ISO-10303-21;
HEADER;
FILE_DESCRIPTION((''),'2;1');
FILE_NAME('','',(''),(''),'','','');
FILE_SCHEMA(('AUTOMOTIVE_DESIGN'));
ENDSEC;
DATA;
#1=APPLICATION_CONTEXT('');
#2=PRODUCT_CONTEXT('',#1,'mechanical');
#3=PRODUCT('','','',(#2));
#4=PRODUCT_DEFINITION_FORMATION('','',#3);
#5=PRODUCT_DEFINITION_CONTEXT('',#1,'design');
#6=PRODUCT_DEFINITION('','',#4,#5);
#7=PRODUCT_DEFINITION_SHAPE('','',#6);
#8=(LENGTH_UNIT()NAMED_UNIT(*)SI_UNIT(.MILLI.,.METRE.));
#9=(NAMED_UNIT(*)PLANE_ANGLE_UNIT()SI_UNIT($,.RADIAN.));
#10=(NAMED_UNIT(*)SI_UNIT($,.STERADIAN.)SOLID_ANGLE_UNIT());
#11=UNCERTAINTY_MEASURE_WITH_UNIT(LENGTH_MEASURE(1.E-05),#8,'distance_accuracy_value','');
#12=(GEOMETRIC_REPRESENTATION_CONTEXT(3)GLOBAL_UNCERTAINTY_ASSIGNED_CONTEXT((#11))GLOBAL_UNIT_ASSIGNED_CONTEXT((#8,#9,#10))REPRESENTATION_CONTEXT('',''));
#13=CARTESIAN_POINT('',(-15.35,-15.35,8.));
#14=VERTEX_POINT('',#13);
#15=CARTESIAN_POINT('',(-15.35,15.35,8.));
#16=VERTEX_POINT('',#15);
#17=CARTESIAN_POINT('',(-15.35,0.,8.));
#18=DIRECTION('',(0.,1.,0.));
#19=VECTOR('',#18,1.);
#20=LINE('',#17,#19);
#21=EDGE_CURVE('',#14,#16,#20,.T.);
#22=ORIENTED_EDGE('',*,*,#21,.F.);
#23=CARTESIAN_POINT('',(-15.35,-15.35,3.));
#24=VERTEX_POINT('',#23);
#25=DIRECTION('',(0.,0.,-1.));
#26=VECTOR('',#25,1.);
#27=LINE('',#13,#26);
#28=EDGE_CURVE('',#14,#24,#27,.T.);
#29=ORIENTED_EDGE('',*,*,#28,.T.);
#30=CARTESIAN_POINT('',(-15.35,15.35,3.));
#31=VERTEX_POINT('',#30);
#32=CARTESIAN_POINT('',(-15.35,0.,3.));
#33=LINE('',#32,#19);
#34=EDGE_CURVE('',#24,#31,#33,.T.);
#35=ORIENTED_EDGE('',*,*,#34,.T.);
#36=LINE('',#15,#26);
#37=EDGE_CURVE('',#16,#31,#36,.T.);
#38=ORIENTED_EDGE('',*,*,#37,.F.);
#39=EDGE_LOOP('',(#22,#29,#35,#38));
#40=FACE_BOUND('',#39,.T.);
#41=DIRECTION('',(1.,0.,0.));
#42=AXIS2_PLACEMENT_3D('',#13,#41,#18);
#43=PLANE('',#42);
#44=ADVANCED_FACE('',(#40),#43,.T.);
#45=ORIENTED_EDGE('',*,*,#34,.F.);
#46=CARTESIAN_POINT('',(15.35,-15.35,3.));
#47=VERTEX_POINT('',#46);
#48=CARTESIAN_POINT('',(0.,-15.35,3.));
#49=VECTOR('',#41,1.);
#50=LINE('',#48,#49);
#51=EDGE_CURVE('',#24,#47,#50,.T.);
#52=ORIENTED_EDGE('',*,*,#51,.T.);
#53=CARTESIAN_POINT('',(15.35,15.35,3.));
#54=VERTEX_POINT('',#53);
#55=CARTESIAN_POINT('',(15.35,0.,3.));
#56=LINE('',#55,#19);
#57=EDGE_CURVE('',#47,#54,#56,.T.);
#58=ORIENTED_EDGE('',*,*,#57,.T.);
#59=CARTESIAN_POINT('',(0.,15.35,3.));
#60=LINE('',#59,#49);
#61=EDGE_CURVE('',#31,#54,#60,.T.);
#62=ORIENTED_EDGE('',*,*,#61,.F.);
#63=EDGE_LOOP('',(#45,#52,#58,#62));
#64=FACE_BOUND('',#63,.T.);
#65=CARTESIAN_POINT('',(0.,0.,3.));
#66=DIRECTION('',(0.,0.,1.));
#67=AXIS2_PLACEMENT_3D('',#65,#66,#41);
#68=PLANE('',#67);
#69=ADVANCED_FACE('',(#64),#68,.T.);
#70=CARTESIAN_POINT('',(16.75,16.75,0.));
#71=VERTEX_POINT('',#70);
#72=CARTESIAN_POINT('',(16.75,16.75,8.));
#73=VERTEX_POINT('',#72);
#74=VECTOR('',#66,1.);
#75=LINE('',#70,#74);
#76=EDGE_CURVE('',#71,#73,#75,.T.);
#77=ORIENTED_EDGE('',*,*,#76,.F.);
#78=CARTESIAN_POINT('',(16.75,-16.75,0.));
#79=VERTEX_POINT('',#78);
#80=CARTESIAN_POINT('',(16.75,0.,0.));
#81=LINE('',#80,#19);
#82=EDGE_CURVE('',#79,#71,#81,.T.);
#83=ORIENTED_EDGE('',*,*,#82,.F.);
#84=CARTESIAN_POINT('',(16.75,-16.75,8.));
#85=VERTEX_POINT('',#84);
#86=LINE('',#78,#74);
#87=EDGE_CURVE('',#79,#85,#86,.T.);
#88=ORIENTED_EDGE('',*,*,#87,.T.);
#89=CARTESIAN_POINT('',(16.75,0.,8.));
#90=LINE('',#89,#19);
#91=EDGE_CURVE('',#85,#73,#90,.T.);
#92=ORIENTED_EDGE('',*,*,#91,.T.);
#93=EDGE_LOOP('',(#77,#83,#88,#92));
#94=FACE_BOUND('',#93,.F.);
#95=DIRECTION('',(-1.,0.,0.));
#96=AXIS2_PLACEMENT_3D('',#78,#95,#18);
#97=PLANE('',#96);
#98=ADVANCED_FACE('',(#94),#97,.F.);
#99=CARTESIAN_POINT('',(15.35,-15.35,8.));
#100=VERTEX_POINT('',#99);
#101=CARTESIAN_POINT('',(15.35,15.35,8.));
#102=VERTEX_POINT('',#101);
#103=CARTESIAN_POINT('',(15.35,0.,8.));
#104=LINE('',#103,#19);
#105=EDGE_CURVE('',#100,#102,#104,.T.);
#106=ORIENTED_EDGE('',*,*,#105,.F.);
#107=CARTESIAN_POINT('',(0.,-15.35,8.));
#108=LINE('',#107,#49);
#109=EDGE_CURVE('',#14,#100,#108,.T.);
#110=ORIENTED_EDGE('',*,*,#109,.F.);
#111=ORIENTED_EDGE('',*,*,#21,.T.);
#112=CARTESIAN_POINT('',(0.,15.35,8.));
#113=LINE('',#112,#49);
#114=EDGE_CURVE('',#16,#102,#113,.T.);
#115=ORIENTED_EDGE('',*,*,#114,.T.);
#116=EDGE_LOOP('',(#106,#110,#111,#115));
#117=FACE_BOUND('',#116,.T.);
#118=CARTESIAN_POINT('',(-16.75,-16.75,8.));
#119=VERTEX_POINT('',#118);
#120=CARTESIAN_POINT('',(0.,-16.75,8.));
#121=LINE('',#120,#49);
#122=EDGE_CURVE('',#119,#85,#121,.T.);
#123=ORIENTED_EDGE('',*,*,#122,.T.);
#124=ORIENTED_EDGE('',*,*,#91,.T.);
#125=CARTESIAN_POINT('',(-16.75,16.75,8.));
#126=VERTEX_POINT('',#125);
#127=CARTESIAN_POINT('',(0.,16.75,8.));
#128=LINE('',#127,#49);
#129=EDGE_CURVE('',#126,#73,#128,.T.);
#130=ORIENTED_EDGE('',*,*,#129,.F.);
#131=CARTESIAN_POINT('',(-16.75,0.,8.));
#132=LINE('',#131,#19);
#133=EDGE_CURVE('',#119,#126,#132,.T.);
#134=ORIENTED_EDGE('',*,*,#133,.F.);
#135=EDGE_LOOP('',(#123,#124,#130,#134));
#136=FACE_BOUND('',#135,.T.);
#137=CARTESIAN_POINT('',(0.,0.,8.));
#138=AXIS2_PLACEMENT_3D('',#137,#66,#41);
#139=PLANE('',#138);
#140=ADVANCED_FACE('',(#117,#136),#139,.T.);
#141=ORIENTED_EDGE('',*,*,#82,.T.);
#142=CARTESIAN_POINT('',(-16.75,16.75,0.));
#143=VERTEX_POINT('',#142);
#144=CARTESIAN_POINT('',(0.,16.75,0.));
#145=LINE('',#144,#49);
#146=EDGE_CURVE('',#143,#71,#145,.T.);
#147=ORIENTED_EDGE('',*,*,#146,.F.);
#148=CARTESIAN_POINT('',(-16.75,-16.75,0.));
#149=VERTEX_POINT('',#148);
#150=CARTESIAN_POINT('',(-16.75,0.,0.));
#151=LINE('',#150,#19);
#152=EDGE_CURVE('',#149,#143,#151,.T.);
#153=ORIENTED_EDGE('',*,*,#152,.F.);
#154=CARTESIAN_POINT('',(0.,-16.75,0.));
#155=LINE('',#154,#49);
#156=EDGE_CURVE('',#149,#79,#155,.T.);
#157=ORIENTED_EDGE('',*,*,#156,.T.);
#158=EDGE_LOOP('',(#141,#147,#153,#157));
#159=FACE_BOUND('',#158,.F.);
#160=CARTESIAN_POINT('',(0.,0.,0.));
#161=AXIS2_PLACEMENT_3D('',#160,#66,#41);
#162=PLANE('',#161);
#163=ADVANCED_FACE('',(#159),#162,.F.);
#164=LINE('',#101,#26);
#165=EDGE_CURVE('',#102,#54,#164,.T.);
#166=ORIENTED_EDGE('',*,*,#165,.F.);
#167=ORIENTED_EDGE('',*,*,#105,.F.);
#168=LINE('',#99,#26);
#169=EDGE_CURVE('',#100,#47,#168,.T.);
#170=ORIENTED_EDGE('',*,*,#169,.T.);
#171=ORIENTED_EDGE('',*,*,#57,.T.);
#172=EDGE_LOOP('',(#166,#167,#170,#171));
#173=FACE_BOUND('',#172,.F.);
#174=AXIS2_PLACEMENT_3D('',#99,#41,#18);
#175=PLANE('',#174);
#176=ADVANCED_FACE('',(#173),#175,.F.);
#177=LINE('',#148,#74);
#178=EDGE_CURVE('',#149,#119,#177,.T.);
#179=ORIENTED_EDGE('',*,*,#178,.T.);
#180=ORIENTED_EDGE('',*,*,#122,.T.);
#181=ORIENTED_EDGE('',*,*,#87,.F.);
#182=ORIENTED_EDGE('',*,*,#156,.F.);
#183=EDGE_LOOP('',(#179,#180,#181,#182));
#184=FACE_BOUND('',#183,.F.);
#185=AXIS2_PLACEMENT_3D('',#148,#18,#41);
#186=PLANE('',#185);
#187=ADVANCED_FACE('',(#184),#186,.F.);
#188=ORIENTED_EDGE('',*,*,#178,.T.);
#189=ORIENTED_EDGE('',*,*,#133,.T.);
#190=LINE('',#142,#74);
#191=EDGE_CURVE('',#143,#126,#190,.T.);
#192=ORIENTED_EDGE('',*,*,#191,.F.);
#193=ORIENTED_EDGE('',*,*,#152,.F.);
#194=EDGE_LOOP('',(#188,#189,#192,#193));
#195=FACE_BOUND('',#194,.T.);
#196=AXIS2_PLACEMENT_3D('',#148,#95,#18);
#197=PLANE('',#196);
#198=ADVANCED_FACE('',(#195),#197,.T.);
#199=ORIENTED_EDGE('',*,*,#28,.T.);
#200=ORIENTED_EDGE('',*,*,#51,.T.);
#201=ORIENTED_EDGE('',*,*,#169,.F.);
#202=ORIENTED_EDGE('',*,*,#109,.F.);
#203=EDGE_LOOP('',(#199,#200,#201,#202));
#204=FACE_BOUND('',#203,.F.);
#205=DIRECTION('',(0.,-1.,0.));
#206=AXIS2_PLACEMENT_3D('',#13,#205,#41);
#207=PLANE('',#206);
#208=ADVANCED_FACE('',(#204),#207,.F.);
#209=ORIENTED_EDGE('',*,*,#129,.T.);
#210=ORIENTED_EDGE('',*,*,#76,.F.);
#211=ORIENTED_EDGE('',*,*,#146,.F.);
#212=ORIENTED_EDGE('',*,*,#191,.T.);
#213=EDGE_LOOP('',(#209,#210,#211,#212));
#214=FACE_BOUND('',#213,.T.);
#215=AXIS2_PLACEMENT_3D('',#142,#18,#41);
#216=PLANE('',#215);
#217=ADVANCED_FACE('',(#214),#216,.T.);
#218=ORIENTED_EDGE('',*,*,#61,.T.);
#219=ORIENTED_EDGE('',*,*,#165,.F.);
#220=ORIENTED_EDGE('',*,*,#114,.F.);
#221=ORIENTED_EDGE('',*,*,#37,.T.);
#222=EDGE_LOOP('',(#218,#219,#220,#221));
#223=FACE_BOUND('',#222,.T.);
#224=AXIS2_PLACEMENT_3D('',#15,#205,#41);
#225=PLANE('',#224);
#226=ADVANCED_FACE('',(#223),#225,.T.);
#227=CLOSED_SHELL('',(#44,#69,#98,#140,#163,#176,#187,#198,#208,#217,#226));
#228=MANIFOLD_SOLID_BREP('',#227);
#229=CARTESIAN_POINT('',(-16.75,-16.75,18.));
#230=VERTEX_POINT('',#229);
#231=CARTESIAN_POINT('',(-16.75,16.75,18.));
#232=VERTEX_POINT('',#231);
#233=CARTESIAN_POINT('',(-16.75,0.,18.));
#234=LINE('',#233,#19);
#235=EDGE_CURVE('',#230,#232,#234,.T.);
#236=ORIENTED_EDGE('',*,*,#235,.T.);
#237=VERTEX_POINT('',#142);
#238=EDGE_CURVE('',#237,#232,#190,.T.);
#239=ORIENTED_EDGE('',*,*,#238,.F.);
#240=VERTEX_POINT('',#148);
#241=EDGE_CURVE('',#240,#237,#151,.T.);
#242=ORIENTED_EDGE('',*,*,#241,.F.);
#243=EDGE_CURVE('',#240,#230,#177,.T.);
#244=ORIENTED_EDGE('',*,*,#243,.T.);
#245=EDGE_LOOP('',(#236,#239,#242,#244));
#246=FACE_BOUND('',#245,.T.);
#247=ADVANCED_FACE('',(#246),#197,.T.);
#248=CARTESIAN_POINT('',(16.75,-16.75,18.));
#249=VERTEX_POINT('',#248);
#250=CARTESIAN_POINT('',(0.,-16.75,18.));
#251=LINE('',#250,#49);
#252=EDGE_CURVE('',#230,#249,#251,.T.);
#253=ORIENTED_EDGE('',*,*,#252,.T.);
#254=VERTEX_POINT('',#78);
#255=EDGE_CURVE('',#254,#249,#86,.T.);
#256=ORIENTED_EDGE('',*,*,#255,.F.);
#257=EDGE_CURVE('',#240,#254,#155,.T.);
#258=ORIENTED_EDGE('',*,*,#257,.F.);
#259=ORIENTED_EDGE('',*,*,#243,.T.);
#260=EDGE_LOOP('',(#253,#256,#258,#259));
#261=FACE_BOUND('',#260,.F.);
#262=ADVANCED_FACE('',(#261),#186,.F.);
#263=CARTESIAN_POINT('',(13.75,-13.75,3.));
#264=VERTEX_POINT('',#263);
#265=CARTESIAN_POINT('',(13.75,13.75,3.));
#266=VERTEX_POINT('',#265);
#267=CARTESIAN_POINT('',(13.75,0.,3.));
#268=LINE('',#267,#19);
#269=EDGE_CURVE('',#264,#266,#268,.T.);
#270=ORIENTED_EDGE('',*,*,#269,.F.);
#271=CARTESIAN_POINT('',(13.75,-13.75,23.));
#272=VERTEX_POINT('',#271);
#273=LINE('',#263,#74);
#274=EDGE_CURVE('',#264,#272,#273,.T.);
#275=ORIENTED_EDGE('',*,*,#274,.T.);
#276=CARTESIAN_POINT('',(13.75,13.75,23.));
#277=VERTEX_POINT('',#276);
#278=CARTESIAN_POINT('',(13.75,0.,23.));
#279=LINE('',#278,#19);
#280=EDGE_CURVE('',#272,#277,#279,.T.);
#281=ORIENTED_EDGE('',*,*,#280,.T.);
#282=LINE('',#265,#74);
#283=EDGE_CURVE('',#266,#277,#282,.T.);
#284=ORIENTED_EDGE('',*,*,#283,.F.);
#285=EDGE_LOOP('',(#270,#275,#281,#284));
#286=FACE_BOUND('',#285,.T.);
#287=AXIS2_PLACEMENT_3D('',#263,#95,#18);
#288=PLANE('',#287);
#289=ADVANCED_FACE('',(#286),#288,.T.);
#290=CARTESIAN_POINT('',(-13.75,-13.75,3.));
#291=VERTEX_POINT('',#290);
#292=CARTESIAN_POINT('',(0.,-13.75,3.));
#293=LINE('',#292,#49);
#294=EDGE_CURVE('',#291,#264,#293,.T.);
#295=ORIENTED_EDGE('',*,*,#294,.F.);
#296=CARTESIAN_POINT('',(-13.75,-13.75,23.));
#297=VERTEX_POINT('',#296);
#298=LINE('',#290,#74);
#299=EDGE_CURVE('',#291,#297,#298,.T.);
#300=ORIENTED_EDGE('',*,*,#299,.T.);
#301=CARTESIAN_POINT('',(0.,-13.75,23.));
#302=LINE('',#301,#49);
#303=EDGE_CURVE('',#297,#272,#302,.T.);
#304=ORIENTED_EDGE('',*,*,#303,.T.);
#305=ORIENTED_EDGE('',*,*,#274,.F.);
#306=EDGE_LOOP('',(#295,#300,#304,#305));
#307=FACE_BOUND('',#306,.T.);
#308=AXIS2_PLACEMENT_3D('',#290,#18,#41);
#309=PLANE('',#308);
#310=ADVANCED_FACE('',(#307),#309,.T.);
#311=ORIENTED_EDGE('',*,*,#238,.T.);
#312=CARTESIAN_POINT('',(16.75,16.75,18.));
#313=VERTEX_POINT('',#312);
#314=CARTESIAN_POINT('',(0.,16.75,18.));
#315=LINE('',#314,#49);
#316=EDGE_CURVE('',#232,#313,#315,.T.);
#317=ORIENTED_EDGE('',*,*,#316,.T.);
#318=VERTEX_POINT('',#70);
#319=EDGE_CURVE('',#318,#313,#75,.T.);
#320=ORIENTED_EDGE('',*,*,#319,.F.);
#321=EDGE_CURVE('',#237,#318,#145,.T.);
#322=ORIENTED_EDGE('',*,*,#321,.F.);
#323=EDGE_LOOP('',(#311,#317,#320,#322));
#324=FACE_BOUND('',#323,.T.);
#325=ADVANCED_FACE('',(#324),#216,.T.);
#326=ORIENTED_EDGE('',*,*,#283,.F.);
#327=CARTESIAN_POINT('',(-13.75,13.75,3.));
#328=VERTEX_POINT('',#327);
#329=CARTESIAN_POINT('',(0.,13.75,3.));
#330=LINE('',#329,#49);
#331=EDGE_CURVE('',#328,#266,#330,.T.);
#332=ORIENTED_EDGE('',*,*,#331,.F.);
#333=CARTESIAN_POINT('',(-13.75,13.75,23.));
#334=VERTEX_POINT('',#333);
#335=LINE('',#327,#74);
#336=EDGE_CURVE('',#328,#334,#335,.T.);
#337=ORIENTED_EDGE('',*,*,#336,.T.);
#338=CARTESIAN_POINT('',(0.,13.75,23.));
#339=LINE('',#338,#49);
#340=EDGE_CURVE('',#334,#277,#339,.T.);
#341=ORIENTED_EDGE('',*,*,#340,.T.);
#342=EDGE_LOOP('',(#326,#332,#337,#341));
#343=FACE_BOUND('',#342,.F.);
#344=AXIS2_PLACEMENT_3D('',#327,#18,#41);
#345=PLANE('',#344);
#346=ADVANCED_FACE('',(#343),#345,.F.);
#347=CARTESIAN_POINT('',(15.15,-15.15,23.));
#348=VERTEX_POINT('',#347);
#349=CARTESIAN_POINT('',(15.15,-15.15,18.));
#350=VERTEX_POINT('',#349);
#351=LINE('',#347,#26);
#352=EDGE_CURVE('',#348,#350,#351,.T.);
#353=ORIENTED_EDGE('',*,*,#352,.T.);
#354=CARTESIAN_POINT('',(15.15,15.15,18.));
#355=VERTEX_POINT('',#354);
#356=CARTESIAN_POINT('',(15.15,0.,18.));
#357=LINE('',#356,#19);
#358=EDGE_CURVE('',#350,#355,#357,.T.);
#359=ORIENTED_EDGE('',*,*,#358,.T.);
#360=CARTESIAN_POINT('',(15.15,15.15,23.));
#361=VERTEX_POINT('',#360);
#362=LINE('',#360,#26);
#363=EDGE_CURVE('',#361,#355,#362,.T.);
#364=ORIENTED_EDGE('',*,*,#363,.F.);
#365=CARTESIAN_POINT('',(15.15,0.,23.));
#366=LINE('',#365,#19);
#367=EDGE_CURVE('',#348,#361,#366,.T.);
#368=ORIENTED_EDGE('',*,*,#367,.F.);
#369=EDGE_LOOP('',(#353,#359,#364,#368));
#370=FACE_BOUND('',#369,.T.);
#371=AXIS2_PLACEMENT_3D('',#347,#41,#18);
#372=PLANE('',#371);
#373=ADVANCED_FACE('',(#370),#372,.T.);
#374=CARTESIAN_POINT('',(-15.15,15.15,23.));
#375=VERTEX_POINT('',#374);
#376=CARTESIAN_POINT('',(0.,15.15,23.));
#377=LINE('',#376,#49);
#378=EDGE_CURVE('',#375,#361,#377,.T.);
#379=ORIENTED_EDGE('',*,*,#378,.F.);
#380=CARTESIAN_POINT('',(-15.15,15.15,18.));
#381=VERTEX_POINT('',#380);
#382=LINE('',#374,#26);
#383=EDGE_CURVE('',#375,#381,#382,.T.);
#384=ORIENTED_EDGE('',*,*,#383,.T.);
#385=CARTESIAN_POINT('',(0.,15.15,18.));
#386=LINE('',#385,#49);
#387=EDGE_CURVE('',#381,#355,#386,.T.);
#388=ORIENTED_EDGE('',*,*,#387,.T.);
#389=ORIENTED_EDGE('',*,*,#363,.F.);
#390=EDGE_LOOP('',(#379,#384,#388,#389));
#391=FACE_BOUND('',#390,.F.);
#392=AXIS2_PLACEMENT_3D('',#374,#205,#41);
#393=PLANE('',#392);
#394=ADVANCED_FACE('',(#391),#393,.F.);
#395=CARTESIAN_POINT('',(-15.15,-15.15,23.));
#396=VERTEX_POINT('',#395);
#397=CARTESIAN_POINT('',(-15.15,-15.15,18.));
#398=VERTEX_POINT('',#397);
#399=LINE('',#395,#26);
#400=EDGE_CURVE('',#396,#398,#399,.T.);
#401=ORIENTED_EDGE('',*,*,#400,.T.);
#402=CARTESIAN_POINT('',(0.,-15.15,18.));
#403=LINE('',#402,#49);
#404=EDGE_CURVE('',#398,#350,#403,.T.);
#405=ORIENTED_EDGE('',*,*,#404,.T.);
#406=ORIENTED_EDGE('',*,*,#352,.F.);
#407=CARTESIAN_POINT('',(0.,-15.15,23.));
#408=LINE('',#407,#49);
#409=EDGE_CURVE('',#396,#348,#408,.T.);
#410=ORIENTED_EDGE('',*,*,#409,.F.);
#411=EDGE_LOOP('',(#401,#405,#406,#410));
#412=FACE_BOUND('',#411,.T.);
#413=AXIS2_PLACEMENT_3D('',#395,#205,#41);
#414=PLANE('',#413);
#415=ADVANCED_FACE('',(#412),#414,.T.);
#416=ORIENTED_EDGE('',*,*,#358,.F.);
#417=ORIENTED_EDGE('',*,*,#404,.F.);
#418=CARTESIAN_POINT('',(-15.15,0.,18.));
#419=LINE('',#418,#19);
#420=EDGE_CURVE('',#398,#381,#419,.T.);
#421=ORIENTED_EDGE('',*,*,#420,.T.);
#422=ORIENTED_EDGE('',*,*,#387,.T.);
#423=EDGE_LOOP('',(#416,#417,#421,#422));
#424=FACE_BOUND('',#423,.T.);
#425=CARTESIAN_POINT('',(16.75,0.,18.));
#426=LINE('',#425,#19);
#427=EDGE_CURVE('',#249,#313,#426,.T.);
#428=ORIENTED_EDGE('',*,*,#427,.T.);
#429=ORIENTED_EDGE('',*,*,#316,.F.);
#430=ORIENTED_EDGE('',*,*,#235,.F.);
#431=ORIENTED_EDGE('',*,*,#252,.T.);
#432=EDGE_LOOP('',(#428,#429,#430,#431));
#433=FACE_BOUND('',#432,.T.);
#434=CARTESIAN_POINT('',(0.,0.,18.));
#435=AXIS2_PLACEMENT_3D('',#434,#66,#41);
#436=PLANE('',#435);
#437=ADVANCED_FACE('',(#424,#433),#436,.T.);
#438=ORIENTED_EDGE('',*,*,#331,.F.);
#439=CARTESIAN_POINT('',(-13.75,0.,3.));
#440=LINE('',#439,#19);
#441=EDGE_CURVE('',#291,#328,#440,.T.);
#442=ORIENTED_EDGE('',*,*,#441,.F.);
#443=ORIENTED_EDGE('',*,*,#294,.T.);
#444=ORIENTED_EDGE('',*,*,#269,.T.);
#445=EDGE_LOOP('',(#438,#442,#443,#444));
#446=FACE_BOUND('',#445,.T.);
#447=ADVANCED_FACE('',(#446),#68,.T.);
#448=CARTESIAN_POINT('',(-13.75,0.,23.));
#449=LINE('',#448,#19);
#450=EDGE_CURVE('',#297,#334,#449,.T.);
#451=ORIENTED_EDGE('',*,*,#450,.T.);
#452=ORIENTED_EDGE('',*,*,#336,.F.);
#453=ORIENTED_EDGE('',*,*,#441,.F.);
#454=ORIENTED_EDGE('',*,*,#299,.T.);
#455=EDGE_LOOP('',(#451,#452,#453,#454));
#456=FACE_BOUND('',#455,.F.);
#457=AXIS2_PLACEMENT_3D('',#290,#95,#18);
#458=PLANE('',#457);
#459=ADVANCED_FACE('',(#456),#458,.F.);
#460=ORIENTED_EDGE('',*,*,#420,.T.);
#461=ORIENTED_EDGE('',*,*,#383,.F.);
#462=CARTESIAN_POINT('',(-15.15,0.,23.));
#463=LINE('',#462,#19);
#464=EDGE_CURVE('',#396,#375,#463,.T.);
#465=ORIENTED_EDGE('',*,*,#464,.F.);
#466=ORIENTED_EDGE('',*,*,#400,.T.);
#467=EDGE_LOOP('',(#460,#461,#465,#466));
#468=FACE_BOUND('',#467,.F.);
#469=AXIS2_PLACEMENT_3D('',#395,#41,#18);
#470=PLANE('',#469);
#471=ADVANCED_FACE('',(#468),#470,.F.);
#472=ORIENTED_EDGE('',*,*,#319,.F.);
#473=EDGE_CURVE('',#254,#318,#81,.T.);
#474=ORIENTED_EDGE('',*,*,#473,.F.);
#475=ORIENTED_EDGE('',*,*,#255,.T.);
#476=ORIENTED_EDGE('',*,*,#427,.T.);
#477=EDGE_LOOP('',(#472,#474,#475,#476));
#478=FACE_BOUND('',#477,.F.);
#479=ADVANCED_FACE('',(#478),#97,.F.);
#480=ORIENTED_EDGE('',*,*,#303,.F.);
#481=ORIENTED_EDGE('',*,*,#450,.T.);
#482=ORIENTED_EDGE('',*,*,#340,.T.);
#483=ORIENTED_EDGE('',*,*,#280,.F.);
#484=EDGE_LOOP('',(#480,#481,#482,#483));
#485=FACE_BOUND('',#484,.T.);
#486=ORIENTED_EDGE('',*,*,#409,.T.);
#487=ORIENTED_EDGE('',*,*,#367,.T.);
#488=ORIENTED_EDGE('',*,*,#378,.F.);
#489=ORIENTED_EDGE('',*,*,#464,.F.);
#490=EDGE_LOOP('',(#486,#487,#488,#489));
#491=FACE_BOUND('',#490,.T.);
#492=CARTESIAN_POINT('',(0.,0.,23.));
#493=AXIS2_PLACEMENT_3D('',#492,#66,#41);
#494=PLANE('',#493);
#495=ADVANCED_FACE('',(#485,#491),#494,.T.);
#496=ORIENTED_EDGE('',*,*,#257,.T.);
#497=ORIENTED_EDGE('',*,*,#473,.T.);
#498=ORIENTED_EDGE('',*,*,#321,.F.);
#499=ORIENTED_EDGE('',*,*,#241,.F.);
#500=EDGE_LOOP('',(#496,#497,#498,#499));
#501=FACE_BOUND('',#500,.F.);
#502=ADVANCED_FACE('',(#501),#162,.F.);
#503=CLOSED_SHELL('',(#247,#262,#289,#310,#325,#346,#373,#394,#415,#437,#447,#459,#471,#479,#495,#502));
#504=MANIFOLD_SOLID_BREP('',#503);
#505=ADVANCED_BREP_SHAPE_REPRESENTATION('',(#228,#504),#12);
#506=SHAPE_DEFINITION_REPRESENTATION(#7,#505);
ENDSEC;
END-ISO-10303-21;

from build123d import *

# Parameters (mm, degrees)
SKETCH_W        = 33.5
SKETCH_H        = 33.5
PAD_DEPTH       = 23
BOX_W           = 27.5
BOX_H           = 27.5
BOX_DEPTH       = 20
SKETCH001_W     = 33.5
SKETCH001_H     = 33.5
SKETCH001_W_2   = 30.3
SKETCH001_H_2   = 30.3
POCKET_DEPTH    = 5
SKETCH002_W     = 33.5
SKETCH002_H     = 33.5
PAD001_DEPTH    = 8
SKETCH003_W     = 30.7
SKETCH003_H     = 30.7
POCKET001_DEPTH = 5


with BuildPart() as bottom:
    # Sketch → Pad (new body)
    with BuildSketch(Plane.XY):
        Rectangle(SKETCH_W, SKETCH_H)
    extrude(amount=PAD_DEPTH)

    # Box → Box (cut)
    with BuildSketch(Plane(origin=(-13.75, -13.75, 3), x_dir=(1, 0, 0), z_dir=(0, 0, 1))):
        with Locations((13.75, 13.75)):
            Rectangle(BOX_W, BOX_H)
    extrude(amount=BOX_DEPTH, mode=Mode.SUBTRACT)

    # Sketch001 → Pocket (cut)
    with BuildSketch(Plane.XY.offset(23)):
        Rectangle(SKETCH001_W, SKETCH001_H)
        Rectangle(SKETCH001_W_2, SKETCH001_H_2, mode=Mode.SUBTRACT)
    extrude(amount=-POCKET_DEPTH, mode=Mode.SUBTRACT)


with BuildPart() as cap:
    # Sketch002 → Pad001 (new body)
    with BuildSketch(Plane.XY):
        Rectangle(SKETCH002_W, SKETCH002_H)
    extrude(amount=PAD001_DEPTH)

    # Sketch003 → Pocket001 (cut)
    with BuildSketch(Plane.XY.offset(8)):
        Rectangle(SKETCH003_W, SKETCH003_H)
    extrude(amount=-POCKET001_DEPTH, mode=Mode.SUBTRACT)


solid = Compound([bottom.part, cap.part])
